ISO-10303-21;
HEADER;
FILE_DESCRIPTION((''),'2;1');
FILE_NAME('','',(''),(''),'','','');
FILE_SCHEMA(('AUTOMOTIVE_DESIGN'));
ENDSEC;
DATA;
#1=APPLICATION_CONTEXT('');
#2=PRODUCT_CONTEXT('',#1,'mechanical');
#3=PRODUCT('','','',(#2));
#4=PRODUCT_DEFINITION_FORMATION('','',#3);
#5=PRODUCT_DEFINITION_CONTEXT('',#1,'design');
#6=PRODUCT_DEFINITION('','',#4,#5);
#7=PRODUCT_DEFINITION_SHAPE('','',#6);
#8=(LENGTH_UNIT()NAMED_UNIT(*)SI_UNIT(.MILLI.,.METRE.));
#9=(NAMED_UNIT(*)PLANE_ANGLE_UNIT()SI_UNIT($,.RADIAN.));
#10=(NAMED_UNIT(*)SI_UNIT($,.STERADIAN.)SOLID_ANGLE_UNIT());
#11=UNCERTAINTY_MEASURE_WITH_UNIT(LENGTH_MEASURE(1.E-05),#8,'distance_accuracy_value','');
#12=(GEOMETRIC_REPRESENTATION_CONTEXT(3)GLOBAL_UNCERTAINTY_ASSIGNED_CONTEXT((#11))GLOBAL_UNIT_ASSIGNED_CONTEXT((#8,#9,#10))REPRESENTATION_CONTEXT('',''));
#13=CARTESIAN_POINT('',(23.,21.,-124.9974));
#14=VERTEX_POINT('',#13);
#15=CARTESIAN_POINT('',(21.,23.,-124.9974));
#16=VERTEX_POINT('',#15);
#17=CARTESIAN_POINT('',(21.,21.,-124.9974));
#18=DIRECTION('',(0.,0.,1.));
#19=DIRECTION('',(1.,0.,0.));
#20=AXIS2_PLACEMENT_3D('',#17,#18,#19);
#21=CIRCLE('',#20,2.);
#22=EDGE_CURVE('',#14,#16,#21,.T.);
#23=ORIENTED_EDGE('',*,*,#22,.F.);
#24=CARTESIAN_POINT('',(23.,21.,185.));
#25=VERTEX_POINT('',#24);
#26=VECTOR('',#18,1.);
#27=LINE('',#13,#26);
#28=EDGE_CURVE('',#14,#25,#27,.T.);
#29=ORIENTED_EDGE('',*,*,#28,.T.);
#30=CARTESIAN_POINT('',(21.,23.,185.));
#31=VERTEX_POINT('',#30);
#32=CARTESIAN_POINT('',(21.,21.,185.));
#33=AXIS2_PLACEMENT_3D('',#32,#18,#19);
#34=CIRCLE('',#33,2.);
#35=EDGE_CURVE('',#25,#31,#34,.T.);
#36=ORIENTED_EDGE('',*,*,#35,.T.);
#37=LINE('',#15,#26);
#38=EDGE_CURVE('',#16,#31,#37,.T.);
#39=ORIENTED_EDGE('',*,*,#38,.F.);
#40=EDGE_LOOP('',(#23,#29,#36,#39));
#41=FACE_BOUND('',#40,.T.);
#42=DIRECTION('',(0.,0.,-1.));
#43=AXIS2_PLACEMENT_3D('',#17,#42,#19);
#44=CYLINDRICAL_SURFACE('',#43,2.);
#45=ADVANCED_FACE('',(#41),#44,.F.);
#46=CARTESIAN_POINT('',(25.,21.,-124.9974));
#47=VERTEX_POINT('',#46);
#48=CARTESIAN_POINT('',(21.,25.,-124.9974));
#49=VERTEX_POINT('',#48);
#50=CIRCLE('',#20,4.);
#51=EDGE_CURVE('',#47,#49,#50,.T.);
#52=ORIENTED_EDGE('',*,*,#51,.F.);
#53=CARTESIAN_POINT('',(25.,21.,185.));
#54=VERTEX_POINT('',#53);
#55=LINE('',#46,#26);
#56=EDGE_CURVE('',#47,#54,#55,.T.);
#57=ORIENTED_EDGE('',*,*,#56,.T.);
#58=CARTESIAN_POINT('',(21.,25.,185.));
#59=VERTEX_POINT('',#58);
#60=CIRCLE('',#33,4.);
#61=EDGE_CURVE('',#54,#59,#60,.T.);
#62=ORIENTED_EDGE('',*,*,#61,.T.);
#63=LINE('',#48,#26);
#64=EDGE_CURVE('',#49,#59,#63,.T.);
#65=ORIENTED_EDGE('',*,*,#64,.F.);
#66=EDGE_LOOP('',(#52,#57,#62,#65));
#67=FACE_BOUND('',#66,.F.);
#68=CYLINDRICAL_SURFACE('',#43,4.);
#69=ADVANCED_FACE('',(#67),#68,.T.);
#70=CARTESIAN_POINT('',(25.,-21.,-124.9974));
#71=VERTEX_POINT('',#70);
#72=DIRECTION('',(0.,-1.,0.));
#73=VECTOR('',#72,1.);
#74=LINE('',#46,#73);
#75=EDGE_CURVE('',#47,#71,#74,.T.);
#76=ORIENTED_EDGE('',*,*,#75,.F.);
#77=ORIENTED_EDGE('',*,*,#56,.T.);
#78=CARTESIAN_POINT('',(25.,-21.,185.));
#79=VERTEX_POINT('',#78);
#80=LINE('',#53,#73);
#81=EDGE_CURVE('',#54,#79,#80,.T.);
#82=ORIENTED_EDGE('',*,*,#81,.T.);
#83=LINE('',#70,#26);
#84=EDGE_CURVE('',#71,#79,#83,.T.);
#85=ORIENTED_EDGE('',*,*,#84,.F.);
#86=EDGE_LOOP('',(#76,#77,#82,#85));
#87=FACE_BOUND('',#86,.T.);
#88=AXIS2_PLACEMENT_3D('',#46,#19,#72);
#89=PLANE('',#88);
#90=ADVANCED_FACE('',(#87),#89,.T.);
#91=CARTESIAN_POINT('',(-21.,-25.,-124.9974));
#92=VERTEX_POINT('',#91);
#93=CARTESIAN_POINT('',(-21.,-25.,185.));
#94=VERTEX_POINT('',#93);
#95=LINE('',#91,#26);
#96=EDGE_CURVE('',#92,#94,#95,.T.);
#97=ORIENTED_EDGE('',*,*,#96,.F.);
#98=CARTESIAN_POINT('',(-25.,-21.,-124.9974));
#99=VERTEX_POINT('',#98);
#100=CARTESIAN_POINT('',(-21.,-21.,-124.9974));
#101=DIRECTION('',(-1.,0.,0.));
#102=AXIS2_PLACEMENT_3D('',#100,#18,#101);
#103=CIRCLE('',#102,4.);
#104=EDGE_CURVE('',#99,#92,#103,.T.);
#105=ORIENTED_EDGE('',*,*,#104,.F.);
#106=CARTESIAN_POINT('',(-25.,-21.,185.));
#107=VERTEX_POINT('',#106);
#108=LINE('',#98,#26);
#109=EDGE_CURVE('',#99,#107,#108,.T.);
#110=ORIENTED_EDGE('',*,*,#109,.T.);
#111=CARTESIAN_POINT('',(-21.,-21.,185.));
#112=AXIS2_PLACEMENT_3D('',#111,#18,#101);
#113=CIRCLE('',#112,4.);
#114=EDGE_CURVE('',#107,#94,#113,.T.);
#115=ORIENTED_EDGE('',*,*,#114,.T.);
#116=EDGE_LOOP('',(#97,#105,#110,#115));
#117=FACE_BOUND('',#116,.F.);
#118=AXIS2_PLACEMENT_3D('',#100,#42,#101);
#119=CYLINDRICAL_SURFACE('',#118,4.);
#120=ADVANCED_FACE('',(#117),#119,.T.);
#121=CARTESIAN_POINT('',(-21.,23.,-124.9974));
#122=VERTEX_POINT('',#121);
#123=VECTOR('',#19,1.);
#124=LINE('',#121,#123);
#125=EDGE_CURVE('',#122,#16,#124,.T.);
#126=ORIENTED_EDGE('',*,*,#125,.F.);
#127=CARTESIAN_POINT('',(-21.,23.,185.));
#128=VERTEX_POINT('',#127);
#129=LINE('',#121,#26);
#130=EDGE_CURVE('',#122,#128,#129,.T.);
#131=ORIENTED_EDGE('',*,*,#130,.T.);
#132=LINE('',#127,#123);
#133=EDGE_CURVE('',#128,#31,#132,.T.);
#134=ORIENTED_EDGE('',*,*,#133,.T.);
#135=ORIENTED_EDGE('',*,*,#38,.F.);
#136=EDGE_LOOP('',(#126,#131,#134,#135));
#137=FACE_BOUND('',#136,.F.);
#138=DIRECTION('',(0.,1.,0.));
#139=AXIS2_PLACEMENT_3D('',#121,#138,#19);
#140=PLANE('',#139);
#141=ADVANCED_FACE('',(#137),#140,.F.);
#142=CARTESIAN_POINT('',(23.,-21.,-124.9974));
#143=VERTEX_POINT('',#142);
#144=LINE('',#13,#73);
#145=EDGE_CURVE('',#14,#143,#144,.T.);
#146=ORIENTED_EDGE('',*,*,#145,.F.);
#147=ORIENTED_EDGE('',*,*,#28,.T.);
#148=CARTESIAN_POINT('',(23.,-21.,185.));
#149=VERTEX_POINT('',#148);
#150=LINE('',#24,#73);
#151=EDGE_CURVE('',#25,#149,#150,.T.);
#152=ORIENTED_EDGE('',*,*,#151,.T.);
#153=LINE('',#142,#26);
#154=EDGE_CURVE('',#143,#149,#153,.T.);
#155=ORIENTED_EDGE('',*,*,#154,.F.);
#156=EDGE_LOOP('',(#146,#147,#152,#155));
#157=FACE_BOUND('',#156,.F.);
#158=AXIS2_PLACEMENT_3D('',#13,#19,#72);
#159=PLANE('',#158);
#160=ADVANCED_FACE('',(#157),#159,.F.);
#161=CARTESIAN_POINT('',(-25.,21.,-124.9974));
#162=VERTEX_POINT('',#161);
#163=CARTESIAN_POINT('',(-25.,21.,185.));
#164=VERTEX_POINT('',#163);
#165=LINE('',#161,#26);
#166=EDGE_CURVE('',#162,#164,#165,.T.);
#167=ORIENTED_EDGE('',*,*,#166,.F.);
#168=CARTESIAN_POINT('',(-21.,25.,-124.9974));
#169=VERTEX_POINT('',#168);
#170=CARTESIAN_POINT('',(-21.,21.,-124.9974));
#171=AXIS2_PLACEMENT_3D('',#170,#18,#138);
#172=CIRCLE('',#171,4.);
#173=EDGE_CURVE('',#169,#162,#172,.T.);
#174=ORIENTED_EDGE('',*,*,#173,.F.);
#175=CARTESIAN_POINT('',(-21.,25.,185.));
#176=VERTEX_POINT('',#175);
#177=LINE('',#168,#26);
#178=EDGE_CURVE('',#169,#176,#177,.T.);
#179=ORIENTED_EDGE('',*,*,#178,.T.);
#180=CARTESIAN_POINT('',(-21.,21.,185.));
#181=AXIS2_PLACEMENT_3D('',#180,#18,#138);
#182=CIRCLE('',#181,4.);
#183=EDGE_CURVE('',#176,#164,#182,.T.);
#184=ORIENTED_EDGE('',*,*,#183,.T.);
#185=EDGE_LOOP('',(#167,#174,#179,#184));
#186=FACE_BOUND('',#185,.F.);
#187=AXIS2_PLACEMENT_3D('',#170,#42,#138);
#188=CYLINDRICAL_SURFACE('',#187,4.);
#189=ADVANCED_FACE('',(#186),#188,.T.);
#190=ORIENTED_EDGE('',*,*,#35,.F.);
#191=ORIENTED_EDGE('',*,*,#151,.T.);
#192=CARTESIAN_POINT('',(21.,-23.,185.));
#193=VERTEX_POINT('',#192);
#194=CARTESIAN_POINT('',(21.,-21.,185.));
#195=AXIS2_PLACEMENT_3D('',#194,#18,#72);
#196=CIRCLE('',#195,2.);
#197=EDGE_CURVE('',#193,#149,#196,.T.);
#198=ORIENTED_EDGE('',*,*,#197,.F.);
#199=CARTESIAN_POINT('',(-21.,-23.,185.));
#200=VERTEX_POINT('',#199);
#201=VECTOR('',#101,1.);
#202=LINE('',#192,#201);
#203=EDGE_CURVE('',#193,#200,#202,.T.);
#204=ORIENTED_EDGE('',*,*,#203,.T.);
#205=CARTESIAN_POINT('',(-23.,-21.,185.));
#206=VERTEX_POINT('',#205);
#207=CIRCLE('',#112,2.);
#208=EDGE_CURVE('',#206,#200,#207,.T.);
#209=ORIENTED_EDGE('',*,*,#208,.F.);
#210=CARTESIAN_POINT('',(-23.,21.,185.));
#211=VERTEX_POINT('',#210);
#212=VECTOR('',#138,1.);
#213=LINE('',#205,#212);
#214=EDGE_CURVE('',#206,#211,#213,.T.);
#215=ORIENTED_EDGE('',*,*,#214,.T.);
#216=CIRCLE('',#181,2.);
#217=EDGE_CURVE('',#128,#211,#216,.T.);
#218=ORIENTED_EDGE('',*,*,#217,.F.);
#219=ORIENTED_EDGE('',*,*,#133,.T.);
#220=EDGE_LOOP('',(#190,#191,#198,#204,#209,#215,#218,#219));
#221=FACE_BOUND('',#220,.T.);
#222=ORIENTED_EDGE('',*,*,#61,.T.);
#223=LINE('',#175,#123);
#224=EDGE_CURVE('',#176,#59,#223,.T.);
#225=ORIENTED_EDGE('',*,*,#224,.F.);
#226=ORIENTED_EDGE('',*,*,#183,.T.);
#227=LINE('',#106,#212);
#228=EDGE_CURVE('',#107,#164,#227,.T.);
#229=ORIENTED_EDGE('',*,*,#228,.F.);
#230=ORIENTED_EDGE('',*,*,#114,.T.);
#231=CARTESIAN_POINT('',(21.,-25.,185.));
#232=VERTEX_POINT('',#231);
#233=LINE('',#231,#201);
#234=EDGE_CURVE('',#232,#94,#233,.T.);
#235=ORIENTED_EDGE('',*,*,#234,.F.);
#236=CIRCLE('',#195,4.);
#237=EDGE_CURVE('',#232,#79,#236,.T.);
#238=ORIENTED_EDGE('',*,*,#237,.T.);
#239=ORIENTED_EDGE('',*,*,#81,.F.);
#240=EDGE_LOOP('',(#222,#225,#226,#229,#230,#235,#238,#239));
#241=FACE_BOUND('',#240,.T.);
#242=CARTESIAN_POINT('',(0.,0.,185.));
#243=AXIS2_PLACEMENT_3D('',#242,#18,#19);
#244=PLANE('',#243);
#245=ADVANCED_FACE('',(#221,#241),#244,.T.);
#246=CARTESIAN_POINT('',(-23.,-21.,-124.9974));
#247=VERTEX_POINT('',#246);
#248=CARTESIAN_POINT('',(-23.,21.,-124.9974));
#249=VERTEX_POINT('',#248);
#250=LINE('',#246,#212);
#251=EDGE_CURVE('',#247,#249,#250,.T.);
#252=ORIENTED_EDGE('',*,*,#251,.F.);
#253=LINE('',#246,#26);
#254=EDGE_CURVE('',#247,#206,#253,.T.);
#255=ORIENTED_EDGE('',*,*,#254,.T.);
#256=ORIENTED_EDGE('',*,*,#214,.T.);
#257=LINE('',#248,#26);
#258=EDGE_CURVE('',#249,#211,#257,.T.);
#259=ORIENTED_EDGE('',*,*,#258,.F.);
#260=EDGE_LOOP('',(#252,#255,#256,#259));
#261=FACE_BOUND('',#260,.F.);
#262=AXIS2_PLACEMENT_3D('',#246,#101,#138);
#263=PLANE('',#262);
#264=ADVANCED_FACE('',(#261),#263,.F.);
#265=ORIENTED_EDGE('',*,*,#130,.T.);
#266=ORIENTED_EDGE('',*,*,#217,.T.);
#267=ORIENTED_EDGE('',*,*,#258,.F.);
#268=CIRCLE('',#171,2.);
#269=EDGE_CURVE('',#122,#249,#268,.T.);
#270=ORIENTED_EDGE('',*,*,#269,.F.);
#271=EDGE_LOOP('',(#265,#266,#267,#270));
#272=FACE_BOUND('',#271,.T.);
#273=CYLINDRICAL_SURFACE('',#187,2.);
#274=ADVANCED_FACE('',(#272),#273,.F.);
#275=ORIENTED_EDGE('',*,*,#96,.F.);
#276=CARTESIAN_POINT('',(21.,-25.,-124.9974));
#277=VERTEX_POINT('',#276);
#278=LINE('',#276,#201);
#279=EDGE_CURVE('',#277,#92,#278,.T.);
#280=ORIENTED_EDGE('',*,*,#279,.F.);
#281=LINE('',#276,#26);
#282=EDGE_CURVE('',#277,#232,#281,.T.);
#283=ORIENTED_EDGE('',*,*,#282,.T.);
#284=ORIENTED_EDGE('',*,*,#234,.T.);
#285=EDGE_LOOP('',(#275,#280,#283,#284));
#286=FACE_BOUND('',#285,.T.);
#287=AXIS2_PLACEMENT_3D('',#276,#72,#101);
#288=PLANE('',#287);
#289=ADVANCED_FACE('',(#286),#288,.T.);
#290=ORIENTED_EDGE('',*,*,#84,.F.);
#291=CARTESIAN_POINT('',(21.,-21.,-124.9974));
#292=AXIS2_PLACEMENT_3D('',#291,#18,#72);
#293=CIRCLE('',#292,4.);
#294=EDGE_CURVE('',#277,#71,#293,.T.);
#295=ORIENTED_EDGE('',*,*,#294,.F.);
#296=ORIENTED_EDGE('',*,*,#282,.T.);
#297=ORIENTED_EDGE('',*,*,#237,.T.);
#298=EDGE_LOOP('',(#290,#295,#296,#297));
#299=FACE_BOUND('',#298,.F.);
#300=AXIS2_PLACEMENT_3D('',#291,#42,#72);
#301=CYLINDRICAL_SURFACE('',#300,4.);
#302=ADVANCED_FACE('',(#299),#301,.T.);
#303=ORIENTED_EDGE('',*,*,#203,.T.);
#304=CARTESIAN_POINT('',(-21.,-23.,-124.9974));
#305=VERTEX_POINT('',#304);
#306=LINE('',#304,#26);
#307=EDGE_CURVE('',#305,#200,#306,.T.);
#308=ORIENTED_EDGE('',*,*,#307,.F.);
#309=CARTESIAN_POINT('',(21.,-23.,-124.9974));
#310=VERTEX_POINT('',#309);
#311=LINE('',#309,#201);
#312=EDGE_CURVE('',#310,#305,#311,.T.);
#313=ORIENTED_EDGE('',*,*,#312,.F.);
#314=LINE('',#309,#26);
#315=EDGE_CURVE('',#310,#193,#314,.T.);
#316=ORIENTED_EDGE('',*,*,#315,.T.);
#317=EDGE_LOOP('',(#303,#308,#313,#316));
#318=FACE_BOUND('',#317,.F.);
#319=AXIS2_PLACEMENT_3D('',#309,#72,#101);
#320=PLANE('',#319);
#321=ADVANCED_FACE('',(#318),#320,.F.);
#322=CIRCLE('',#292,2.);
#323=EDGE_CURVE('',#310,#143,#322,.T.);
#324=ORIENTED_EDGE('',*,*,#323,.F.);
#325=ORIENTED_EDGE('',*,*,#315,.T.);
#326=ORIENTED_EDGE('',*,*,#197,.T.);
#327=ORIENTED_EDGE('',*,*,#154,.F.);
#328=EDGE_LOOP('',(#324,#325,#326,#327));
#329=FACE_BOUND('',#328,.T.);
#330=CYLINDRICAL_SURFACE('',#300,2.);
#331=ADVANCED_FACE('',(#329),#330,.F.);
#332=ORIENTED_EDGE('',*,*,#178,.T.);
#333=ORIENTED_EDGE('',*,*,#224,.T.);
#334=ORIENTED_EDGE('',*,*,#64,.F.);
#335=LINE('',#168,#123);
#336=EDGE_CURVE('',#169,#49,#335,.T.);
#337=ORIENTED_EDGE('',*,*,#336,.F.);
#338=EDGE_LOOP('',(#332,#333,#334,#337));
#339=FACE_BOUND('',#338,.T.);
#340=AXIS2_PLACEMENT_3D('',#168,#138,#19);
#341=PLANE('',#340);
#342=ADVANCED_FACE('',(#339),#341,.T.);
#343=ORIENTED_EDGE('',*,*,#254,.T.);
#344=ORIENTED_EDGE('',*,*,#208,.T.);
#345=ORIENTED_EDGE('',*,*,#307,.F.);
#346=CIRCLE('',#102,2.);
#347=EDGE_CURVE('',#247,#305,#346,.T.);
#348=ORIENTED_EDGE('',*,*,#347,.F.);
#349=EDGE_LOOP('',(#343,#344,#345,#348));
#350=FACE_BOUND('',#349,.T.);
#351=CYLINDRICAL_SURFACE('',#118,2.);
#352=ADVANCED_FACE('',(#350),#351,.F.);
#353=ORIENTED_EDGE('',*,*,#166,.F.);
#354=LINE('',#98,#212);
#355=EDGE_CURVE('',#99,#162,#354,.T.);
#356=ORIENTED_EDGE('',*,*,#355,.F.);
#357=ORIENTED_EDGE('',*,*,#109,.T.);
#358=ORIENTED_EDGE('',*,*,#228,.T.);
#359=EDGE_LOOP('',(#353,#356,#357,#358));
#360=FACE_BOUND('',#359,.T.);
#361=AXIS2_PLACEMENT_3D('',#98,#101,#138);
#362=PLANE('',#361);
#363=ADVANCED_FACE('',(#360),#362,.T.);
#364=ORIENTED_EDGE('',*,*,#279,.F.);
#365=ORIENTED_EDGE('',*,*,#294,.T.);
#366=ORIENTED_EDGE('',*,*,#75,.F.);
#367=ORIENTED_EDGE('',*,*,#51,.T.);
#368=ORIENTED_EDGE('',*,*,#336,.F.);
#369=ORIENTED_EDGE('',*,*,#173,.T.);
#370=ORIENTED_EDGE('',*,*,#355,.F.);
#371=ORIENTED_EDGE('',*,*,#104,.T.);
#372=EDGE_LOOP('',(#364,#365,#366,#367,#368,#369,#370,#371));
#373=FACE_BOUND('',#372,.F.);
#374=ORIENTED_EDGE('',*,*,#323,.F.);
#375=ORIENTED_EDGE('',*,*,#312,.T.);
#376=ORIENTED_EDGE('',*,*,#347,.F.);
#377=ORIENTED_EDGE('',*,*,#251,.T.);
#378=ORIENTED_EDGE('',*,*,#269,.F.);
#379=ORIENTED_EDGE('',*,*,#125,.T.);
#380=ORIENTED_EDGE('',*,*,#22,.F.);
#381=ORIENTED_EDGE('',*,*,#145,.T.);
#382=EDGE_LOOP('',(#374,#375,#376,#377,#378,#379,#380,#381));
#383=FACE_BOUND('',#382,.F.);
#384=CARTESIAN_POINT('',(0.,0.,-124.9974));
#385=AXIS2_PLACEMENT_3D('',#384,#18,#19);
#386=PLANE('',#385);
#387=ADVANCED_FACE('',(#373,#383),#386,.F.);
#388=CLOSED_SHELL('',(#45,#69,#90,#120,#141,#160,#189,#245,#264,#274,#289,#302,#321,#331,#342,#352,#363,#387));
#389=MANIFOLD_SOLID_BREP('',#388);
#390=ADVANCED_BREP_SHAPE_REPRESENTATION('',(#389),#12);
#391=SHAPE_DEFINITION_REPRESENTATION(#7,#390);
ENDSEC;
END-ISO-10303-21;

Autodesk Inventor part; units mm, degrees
ref_plane "Start Plane" through (0, 0, -124.9974) normal (0, 0, 1) x (1, 0, 0)
ref_plane "End Plane" through (0, 0, 185) normal (0, 0, 1) x (1, 0, 0)
sketch "Sketch" plane through (0, 0, 0) normal (0, 0, 1) x (1, 0, 0)
  line L0 (-25, -21) -> (-25, 21)
  line L1 (-21, 25) -> (21, 25)
  line L2 (25, 21) -> (25, -21)
  line L3 (21, -25) -> (-21, -25)
  arc A0 (-25, -21) -> (-21, -25) centre (-21, -21) ccw
  arc A1 (25, 21) -> (21, 25) centre (21, 21) ccw
  arc A2 (-21, 25) -> (-25, 21) centre (-21, 21) ccw
  arc A3 (21, -25) -> (25, -21) centre (21, -21) ccw
  arc A4 (-21, 23) -> (-23, 21) centre (-21, 21) ccw
  line L4 (-21, 23) -> (21, 23)
  arc A5 (23, 21) -> (21, 23) centre (21, 21) ccw
  line L5 (23, 21) -> (23, -21)
  arc A6 (21, -23) -> (23, -21) centre (21, -21) ccw
  line L6 (21, -23) -> (-21, -23)
  arc A7 (-23, -21) -> (-21, -23) centre (-21, -21) ccw
  line L7 (-23, -21) -> (-23, 21)
  line L8 (0, 36.1598) -> (0, -36.1598) construction
  line L9 (-36.1598, 0) -> (36.1598, 0) construction
  dimension "d7" = 4
  dimension "d9" = 50
  dimension "d11" = 50
  dimension "d12" = 2
  dimension "d15" = 25
  dimension "d16" = 25
extrude "Body" add sketch "Sketch" along normal up to surface (309.9974 mm away) from surface at -124.9974
sketch "Sketch3" plane through (0, 0, 0) normal (0, 0, 1) x (1, 0, 0)
  line L0 (0, 0) -> (10, 0)
ref_plane "Work Plane3" through (0, 0, 0) normal (0, -1, 0) x (1, 0, 0)
sketch "Sketch4" plane through (0, 0, 0) normal (0, -1, 0) x (1, 0, 0)
  line L0 (-2, -124.9974) -> (12, -124.9974)
  line L1 (-2, 185) -> (12, 185)
  dimension "d18" = 309.9974
ref_plane "Work Plane4" through (1045, -21, 185) normal (0, 0, 1) x (1, 0, 0)
split "Split1" plane through (1045, -21, 185) removes the side toward (0, 0, 1)
ref_plane "Work Plane5" through (-1272.5, -21, -124.9974) normal (0, 0, -1) x (-1, 0, 0)
split "Split2" plane through (-1272.5, -21, -124.9974) removes the side toward (0, 0, -1)
ref_plane "Work Plane6" through (1040, 21, -575) normal (0, 0, -1) x (-1, 0, 0)
split "Split3" plane through (1040, 21, -575) removes the side toward (0, 0, -1)
equation "\"d7\" = G_IR"
equation "\"d9\" = G_W"
equation "\"d11\" = G_H"
equation "\"d12\" = G_T"
equation "\"d15\" = 0.5 * d9"
equation "\"d16\" = 0.5 * d11"
equation "\"d3\" = G_L"
equation "\"G_W\" = 50"
equation "\"G_H\" = 50"
equation "\"G_T\" = 2"
equation "\"G_IR\" = 4"
equation "\"G_L\" = d18"
equation "\"G_OFFSET_START\" = 124.9974"
equation "\"G_OFFSET_END\" = -25"
equation "\"d13\" = -G_OFFSET_START"
equation "\"d14\" = G_OFFSET_END + B_L"
equation "\"B_L\" = 210"
properties part number "ISO 10799-2 - 50x50x2 - 310" material "Steel, Galvanized"
